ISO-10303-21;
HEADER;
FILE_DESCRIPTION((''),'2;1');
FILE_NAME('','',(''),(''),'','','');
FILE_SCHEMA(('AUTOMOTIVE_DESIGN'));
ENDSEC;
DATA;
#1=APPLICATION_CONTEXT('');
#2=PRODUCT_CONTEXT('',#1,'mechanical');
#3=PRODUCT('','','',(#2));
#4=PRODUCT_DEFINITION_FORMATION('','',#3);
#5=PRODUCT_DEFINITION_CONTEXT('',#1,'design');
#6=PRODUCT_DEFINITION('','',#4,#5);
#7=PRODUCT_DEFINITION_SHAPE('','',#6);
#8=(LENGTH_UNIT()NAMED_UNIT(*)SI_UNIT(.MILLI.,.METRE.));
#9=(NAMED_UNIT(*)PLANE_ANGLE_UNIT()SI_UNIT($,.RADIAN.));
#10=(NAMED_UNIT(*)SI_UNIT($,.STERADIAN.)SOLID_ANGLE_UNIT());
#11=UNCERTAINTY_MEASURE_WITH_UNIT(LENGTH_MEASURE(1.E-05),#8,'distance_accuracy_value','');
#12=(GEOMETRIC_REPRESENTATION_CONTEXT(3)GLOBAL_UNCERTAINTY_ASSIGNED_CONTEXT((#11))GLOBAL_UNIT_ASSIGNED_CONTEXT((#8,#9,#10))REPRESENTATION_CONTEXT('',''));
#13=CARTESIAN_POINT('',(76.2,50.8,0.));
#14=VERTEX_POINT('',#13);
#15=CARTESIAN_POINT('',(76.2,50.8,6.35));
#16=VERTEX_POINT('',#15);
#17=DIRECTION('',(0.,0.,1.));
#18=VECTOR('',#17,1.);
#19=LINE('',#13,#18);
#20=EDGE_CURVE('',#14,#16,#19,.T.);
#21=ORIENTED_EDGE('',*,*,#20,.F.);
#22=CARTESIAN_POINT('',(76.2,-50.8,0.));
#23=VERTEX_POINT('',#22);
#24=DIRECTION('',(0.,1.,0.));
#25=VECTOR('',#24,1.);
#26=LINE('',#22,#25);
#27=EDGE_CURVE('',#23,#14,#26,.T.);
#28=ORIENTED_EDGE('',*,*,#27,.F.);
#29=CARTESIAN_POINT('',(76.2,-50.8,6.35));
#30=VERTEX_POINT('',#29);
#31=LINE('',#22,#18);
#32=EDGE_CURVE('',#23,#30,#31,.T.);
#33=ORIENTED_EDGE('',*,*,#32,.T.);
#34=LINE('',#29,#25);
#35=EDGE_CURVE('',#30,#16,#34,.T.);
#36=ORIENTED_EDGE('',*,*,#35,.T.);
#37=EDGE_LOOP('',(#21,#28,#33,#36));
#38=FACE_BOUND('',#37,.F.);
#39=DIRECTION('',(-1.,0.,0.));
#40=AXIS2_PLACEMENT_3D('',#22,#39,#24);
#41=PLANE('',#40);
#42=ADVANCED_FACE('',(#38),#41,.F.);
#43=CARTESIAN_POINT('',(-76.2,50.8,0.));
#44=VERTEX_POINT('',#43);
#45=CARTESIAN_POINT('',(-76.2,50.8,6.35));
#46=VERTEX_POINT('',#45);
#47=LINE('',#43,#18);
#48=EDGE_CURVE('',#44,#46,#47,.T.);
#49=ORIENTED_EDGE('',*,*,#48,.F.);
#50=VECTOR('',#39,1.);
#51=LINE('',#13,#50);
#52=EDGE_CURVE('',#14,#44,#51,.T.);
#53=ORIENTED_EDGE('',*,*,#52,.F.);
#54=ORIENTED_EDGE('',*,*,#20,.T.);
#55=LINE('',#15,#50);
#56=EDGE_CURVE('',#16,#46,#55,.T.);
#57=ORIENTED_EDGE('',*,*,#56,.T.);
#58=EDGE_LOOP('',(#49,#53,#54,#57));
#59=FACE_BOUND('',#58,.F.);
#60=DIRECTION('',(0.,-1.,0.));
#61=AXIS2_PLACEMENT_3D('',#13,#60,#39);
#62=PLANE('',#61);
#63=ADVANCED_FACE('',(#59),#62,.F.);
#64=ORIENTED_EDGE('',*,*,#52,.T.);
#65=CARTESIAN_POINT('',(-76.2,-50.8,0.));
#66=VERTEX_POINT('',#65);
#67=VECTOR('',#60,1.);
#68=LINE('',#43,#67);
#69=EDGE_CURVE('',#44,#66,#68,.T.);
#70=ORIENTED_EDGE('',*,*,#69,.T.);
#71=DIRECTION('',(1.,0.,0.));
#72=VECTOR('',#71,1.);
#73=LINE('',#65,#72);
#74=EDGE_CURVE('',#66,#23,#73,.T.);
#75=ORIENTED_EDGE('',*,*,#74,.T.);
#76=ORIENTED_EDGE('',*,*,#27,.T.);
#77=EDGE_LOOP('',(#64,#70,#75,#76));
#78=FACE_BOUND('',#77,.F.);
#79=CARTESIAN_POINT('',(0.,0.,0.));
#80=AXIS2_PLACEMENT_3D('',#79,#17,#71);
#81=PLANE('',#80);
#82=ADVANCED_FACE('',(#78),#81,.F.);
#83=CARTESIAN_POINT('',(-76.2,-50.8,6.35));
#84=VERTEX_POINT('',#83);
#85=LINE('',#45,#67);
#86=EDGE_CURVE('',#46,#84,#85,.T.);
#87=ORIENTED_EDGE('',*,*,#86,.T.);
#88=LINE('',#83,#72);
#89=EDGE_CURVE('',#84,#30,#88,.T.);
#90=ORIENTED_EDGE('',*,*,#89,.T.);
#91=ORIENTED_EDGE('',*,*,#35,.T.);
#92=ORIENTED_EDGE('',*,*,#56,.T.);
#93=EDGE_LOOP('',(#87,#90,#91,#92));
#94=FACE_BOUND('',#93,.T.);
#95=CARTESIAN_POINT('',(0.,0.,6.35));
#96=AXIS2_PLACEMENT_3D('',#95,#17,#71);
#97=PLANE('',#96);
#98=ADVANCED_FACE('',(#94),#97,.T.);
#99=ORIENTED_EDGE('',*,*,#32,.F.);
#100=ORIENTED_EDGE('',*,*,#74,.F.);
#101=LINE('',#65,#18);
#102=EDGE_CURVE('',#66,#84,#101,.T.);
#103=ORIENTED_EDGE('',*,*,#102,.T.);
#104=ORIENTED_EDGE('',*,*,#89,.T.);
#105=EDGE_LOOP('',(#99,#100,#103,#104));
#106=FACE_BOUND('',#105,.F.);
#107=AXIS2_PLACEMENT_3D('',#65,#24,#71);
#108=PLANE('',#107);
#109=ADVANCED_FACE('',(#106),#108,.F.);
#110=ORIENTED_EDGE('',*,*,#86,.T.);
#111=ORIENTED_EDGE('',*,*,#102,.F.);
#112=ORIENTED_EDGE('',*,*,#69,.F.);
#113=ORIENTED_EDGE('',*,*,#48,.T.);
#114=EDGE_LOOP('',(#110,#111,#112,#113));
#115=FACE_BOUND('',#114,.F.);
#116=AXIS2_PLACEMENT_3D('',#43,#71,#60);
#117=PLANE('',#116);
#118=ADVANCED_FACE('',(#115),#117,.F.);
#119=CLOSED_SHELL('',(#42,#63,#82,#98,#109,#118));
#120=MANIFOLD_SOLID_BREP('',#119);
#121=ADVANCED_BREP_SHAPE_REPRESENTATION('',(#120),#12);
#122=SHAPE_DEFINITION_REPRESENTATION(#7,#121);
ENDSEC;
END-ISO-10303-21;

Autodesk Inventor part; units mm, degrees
ref_plane "YZ Plane" through (0, 0, 0) normal (1, 0, 0) x (0, 1, 0)
ref_plane "XZ Plane" through (0, 0, 0) normal (0, 1, 0) x (-1, 0, 0)
ref_plane "XY Plane" through (0, 0, 0) normal (0, 0, 1) x (1, 0, 0)
sketch "Sketch6" plane through (0, 0, 0) normal (0, 0, 1) x (1, 0, 0)
  line L0 (-76.2, -50.8) -> (76.2, -50.8)
  line L1 (76.2, -50.8) -> (76.2, 50.8)
  line L2 (76.2, 50.8) -> (-76.2, 50.8)
  line L3 (-76.2, 50.8) -> (-76.2, -50.8)
extrude "P351_PlateBody" add sketch "Sketch6" along normal blind 6.35
equation "\"PlateLength\" = 152.4"
equation "\"PlateWidth\" = 101.6"
equation "\"PlateThickness\" = 6.35"
equation "\"DIM_LENGTH\" = 152.4"
properties part number "FLAT-PL"
